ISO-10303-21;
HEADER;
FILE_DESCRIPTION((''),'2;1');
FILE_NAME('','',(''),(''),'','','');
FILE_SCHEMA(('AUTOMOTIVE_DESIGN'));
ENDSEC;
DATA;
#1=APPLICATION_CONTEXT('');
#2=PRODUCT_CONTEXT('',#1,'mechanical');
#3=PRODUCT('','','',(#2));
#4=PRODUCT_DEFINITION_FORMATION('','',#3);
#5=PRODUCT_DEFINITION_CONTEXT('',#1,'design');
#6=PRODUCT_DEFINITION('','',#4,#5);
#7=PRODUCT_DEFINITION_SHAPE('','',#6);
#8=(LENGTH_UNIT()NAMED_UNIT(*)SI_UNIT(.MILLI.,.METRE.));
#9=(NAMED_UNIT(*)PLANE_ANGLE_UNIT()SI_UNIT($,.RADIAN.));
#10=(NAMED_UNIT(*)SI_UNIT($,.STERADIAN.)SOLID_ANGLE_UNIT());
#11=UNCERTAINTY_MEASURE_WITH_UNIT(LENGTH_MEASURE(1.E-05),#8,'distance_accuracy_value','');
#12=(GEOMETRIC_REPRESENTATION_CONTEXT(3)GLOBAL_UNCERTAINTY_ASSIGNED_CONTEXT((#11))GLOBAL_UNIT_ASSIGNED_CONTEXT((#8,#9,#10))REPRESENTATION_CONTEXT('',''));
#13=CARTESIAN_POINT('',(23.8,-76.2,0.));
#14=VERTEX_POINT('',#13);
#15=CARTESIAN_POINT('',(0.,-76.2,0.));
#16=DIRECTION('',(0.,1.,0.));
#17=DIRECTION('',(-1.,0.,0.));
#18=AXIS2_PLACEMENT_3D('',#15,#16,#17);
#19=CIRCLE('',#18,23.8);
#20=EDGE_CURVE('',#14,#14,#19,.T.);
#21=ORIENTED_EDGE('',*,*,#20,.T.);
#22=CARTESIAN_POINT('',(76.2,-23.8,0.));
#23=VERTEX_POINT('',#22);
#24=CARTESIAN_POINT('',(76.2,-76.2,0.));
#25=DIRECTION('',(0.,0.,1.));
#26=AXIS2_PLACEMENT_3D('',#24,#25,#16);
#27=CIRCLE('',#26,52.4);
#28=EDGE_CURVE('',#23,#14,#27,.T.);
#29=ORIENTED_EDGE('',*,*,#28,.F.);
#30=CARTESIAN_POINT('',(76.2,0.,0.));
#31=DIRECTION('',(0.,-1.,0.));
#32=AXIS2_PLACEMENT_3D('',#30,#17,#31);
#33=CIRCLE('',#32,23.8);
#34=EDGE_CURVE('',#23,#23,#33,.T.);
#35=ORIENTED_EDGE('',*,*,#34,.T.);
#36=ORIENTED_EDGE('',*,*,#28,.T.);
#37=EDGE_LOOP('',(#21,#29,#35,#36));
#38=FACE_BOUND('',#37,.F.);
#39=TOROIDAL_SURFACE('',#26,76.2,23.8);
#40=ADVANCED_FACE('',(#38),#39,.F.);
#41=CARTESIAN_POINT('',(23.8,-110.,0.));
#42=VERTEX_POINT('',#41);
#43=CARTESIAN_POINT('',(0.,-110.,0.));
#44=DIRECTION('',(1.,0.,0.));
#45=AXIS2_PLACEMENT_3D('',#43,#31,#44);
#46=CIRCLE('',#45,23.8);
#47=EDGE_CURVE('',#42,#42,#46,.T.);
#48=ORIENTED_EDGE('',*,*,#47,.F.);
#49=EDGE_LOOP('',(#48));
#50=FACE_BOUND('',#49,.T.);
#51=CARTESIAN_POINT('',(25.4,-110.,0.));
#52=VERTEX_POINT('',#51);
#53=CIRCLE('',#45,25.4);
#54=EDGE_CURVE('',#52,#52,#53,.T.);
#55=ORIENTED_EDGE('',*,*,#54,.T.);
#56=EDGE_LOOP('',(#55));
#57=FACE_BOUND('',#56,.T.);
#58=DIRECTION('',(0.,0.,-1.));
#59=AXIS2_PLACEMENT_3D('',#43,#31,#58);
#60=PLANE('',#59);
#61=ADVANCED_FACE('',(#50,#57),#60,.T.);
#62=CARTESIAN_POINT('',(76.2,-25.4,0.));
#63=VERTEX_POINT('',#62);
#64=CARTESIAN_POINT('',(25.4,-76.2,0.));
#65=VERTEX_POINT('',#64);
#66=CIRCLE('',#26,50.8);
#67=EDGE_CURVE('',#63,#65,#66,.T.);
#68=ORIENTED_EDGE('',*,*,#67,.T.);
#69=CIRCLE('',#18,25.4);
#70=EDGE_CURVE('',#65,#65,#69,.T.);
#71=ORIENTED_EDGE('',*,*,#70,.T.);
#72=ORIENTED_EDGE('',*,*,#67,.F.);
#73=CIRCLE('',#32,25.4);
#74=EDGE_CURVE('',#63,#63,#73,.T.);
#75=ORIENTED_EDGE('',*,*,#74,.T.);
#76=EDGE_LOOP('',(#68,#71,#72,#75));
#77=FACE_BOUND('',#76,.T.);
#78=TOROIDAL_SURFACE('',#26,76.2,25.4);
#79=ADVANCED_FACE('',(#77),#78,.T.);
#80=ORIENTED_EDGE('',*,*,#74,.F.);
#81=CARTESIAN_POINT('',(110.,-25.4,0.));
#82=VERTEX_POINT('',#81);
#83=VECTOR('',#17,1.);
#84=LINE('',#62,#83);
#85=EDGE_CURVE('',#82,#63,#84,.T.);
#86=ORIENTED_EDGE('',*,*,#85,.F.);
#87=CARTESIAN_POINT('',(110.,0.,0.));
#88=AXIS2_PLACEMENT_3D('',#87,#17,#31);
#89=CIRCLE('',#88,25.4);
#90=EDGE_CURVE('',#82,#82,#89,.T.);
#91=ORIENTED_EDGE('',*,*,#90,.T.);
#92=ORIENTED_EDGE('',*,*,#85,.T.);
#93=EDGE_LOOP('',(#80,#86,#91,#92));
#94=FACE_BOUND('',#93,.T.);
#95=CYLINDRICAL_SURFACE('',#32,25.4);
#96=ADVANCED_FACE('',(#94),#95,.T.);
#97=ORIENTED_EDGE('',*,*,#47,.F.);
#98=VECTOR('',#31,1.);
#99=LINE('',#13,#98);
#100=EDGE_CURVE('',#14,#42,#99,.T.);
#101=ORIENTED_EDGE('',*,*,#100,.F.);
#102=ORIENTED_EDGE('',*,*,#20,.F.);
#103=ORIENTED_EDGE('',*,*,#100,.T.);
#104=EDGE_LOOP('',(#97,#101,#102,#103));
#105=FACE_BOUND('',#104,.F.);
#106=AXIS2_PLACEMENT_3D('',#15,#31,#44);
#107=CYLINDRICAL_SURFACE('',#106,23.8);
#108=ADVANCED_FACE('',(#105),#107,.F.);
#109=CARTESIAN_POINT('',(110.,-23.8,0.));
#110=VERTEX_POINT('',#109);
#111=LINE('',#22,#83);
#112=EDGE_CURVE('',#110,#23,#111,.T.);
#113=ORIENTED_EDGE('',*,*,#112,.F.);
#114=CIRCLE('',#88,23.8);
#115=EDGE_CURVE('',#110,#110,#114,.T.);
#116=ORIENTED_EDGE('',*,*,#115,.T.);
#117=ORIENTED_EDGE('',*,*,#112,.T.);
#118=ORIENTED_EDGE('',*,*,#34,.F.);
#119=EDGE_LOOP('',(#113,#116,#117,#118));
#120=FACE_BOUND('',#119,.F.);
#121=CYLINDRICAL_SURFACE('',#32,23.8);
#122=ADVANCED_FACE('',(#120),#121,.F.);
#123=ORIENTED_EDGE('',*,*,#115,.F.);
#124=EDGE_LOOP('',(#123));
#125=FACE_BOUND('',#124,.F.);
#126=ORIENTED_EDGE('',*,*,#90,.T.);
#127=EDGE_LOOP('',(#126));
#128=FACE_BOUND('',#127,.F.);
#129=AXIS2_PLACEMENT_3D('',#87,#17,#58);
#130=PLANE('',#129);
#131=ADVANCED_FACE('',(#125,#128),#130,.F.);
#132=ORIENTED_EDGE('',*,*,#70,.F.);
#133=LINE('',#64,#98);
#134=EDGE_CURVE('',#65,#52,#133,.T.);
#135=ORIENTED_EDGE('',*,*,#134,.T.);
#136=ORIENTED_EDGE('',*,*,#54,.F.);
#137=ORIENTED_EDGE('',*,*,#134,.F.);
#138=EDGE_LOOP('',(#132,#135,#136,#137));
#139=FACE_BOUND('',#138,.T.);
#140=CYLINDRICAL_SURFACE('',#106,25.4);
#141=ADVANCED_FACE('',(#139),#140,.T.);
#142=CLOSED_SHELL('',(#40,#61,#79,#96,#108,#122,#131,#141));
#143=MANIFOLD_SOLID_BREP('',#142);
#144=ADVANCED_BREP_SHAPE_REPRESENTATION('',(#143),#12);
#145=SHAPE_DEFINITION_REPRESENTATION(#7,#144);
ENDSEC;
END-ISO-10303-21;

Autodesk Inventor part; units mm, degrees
ref_plane "YZ Plane" through (0, 0, 0) normal (1, 0, 0) x (0, 1, 0)
ref_plane "XZ Plane" through (0, 0, 0) normal (0, 1, 0) x (-1, 0, 0)
sketch "Szkic6" plane through (0, 0, 0) normal (0, 0, 1) x (1, 0, 0)
  line L0 (-29.6067, 0) -> (35.2678, 0) construction
  line L1 (0, 42.3419) -> (0, -58.3726) construction
  arc A0 (76.2, 0) -> (0, -76.2) centre (76.2, -76.2) ccw
  line L2 (0, -76.2) -> (76.2, -76.2) construction
  line L3 (76.2, -76.2) -> (76.2, -10.6669) construction
  line L4 (76.2, 0) -> (110, 0)
  line L5 (0, -76.2) -> (0, -110)
  point P0 (0, 0)
  dimension "d24" = 76.2
  dimension "d31" = 90
  dimension "d36" = 33.8
  dimension "d37" = 33.8
ref_plane "Płaszczyzna konstrukcyjna2" through (0, -76.2, 0) normal (0, -1, 0) x (1, 0, 0)
sketch "Szkic8" plane through (0, -76.2, 0) normal (0, -1, 0) x (1, 0, 0)
  circle A0 centre (0, 0) radius 25.4
  circle A1 centre (0, 0) radius 23.8
  dimension "d32" = 50.8
  dimension "d33" = 1.6
sweep "Przeciągnięcie2" add profiles "Szkic8" path "Szkic6"
equation "\"d32\" = OD"
equation "\"d33\" = THK"
equation "\"d24\" = R"
equation "\"d31\" = KAT"
equation "\"d36\" = PROSTKA"
equation "\"d37\" = PROSTKA"
equation "\"SzerokośćGięciaPodcięcia\" = Grubość"
equation "\"RozmiarPodcięciaNarożnika\" = 4 * Grubość"
equation "\"PromieńPrzejścia\" = PromieńGięcia"
equation "\"Rozmiar_promienia_Jacobiego\" = PromieńGięcia"
equation "\"Wielk_odstępu\" = Grubość"
equation "\"d2\" = PromieńGięcia"
equation "\"d23\" = PromieńGięcia"
equation "\"R\" = 76.2"
equation "\"OD\" = 50.8"
equation "\"THK\" = 1.6"
equation "\"KAT\" = 90deg"
equation "\"PROSTKA\" = 33.8"
equation "\"Grubość\" = 1.5"
equation "\"PromieńGięcia\" = 3"
properties part number "Kolano 90° ø50,8x1,6 R76,2" material "304L"
